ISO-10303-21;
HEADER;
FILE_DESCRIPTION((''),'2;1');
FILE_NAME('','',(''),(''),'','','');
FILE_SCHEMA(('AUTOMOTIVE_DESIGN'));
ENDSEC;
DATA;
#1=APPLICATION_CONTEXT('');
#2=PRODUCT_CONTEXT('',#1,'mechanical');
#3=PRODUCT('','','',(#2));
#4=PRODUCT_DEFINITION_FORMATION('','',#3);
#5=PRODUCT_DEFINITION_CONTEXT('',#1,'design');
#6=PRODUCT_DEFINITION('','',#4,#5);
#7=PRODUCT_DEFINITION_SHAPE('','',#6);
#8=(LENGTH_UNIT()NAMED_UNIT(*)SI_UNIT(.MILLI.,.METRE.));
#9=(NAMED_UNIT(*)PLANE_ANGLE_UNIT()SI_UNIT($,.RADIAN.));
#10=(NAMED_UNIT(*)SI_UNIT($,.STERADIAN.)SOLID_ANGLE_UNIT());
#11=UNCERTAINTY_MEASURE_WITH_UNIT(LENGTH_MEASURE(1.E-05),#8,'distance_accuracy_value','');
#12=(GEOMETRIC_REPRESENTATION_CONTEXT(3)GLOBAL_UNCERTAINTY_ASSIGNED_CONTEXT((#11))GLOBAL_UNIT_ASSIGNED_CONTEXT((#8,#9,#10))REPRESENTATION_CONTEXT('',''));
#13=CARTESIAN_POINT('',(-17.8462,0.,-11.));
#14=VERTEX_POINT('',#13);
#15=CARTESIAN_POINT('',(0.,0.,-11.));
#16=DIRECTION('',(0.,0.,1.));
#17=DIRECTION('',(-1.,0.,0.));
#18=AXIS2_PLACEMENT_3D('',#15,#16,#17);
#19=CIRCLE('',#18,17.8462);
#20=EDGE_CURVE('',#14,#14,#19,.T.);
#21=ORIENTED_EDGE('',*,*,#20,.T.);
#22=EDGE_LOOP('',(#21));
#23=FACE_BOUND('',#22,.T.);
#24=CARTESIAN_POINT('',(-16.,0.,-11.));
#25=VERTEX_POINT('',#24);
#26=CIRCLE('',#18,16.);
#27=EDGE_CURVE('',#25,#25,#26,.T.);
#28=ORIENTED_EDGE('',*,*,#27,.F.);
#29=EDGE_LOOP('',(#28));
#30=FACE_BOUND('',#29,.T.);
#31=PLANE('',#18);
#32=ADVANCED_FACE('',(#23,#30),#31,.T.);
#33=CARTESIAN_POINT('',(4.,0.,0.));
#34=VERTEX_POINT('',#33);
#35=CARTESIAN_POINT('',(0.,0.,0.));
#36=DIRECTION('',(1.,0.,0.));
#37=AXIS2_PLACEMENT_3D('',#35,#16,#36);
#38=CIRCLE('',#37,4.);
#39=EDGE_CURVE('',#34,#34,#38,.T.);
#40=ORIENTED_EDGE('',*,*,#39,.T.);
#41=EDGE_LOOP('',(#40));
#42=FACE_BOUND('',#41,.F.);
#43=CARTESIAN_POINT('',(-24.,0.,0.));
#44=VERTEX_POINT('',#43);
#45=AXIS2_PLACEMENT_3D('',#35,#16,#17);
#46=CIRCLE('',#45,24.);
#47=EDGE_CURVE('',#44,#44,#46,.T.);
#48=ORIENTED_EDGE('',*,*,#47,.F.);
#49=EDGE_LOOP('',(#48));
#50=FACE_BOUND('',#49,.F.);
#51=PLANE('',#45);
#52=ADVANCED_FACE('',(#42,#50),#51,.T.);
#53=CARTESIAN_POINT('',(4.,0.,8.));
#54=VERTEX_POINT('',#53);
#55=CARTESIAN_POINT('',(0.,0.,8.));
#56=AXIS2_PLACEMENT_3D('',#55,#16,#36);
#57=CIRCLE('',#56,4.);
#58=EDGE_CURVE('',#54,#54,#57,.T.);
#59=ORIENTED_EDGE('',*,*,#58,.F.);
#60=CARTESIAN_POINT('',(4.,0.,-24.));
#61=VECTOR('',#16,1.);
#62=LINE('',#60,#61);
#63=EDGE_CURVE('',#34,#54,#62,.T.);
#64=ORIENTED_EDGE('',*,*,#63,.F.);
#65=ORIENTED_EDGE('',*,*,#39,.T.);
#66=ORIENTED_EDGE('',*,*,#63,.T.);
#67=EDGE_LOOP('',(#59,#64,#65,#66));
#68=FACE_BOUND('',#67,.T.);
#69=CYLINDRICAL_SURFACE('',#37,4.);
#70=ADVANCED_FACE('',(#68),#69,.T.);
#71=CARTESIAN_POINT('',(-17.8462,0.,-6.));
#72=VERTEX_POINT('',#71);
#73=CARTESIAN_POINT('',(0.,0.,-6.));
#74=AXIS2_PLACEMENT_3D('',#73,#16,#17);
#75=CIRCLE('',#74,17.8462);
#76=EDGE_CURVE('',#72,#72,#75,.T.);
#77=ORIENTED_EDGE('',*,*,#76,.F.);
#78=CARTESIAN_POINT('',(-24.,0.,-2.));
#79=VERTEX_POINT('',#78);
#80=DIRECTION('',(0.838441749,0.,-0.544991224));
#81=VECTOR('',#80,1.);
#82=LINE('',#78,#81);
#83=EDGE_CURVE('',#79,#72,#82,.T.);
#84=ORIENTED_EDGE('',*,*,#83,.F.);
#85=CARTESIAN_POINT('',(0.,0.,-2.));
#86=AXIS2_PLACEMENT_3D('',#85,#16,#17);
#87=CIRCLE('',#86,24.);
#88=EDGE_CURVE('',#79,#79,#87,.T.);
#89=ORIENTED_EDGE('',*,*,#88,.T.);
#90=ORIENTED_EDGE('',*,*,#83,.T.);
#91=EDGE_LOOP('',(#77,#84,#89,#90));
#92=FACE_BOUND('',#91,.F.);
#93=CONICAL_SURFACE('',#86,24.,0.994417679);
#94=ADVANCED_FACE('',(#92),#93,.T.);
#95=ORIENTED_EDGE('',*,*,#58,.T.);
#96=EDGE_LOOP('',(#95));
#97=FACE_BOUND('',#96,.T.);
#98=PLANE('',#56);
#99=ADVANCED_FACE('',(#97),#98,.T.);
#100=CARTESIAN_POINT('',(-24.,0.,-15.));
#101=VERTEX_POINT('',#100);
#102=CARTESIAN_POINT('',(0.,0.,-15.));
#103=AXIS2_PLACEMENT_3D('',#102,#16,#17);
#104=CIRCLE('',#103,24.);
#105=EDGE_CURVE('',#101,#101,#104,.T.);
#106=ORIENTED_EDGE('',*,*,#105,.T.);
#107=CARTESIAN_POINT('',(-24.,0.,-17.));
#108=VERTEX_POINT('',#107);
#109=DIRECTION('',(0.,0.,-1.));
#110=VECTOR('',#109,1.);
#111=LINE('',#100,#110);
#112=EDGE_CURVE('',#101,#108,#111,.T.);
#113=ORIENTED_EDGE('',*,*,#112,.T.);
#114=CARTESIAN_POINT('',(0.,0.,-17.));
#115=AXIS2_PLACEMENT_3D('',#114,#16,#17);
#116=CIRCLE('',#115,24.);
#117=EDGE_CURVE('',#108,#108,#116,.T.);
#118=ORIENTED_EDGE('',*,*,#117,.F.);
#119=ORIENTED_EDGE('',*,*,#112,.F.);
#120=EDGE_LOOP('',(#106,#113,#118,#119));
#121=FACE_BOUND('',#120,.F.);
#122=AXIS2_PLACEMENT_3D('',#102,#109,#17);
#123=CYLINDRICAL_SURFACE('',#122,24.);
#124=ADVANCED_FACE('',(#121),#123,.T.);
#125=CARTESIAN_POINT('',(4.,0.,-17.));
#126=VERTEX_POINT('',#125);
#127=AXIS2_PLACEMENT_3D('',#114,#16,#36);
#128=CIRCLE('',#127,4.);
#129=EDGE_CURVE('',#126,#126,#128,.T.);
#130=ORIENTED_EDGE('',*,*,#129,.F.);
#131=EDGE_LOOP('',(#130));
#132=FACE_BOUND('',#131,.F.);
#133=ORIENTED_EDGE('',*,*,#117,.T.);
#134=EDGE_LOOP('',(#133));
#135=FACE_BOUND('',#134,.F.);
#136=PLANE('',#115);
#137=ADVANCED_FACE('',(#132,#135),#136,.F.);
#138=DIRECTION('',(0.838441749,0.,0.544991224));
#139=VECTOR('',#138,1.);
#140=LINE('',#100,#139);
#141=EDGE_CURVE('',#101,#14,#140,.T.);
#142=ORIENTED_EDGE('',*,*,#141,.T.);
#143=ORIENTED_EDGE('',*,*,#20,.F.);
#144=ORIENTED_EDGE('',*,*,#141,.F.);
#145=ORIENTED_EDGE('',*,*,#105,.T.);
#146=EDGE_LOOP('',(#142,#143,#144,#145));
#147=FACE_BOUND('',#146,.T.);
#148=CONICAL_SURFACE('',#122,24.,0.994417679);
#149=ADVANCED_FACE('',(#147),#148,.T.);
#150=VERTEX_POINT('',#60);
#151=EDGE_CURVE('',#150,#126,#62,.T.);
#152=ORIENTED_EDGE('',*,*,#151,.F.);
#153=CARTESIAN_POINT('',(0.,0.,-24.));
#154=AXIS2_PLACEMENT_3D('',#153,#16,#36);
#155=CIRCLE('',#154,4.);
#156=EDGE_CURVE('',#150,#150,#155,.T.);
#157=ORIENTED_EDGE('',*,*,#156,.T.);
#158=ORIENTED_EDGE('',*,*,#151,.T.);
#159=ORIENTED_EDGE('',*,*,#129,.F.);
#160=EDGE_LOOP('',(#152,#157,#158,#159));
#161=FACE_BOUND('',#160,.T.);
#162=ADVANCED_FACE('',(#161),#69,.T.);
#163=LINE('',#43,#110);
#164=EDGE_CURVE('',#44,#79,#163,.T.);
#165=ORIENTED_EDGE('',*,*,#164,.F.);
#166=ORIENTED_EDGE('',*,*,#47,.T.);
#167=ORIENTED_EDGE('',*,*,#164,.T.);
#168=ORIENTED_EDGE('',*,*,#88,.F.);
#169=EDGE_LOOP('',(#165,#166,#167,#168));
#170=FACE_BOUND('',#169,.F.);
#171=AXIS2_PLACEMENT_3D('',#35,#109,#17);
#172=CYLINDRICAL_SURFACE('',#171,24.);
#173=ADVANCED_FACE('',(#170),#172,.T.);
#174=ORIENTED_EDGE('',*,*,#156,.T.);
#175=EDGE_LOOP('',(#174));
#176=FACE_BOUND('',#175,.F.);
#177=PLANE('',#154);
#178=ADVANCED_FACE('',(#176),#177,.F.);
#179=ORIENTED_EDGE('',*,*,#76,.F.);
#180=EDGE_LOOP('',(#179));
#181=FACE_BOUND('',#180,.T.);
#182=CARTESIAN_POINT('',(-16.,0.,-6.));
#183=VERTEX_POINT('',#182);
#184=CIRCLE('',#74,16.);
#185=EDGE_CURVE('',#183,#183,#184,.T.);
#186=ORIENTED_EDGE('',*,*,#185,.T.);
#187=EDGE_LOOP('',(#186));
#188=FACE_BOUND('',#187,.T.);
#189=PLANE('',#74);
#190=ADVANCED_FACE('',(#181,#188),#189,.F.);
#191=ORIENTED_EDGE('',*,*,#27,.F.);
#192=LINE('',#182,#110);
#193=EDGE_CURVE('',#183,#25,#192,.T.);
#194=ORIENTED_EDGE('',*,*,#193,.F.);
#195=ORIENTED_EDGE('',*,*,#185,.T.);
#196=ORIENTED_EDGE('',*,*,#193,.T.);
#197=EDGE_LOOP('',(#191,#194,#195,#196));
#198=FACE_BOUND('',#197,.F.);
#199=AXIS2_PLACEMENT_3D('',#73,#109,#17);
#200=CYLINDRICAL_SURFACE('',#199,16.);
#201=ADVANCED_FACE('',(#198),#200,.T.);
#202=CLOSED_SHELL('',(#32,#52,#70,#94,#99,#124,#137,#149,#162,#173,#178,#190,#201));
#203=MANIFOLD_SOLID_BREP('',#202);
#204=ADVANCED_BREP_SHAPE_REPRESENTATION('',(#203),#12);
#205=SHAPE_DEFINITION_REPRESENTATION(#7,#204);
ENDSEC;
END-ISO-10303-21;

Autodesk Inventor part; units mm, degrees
ref_plane "YZ Plane" through (0, 0, 0) normal (1, 0, 0) x (0, 1, 0)
ref_plane "XZ Plane" through (0, 0, 0) normal (0, 1, 0) x (-1, 0, 0)
ref_plane "XY Plane" through (0, 0, 0) normal (0, 0, 1) x (1, 0, 0)
sketch "Sketch1" plane through (0, 0, 0) normal (0, 1, 0) x (-1, 0, 0)
  line L0 (0, 0) -> (24, 0)
  line L1 (24, -17) -> (0, -17)
  line L2 (0, -17) -> (0, 0)
  line L3 (24, -2) -> (14, -2)
  line L4 (14, -2) -> (14, -15)
  line L5 (14, -15) -> (24, -15)
  line L6 (24, -2) -> (17.8462, -6)
  line L7 (24, -15) -> (17.8462, -11)
  line L8 (14, -6) -> (17.8462, -6)
  line L9 (17.8462, -11) -> (14, -11)
  line L10 (24, 0) -> (24, -2)
  line L11 (24, -15) -> (24, -17)
  line L12 (16, -6) -> (16, -11)
  dimension "d0" = 24
  dimension "d1" = 17
  dimension "d2" = 2
  dimension "d3" = 2
  dimension "d4" = 10
  dimension "d5" = 4
  dimension "d6" = 4
  dimension "d7" = 2
revolve "Revolution1" add sketch "Sketch1" angle 360 about axis through (0, 0, -17) along (0, 0, 1)
sketch "Sketch2" plane through (0, 0, 0) normal (0, 0, 1) x (1, 0, 0)
  circle A0 centre (0, 0) radius 4
  dimension "d9" = 8
extrude "Extrusion1" add sketch "Sketch2" against normal blind 24 and the other way blind 8
properties part number "Ròng rọc 48mm"
